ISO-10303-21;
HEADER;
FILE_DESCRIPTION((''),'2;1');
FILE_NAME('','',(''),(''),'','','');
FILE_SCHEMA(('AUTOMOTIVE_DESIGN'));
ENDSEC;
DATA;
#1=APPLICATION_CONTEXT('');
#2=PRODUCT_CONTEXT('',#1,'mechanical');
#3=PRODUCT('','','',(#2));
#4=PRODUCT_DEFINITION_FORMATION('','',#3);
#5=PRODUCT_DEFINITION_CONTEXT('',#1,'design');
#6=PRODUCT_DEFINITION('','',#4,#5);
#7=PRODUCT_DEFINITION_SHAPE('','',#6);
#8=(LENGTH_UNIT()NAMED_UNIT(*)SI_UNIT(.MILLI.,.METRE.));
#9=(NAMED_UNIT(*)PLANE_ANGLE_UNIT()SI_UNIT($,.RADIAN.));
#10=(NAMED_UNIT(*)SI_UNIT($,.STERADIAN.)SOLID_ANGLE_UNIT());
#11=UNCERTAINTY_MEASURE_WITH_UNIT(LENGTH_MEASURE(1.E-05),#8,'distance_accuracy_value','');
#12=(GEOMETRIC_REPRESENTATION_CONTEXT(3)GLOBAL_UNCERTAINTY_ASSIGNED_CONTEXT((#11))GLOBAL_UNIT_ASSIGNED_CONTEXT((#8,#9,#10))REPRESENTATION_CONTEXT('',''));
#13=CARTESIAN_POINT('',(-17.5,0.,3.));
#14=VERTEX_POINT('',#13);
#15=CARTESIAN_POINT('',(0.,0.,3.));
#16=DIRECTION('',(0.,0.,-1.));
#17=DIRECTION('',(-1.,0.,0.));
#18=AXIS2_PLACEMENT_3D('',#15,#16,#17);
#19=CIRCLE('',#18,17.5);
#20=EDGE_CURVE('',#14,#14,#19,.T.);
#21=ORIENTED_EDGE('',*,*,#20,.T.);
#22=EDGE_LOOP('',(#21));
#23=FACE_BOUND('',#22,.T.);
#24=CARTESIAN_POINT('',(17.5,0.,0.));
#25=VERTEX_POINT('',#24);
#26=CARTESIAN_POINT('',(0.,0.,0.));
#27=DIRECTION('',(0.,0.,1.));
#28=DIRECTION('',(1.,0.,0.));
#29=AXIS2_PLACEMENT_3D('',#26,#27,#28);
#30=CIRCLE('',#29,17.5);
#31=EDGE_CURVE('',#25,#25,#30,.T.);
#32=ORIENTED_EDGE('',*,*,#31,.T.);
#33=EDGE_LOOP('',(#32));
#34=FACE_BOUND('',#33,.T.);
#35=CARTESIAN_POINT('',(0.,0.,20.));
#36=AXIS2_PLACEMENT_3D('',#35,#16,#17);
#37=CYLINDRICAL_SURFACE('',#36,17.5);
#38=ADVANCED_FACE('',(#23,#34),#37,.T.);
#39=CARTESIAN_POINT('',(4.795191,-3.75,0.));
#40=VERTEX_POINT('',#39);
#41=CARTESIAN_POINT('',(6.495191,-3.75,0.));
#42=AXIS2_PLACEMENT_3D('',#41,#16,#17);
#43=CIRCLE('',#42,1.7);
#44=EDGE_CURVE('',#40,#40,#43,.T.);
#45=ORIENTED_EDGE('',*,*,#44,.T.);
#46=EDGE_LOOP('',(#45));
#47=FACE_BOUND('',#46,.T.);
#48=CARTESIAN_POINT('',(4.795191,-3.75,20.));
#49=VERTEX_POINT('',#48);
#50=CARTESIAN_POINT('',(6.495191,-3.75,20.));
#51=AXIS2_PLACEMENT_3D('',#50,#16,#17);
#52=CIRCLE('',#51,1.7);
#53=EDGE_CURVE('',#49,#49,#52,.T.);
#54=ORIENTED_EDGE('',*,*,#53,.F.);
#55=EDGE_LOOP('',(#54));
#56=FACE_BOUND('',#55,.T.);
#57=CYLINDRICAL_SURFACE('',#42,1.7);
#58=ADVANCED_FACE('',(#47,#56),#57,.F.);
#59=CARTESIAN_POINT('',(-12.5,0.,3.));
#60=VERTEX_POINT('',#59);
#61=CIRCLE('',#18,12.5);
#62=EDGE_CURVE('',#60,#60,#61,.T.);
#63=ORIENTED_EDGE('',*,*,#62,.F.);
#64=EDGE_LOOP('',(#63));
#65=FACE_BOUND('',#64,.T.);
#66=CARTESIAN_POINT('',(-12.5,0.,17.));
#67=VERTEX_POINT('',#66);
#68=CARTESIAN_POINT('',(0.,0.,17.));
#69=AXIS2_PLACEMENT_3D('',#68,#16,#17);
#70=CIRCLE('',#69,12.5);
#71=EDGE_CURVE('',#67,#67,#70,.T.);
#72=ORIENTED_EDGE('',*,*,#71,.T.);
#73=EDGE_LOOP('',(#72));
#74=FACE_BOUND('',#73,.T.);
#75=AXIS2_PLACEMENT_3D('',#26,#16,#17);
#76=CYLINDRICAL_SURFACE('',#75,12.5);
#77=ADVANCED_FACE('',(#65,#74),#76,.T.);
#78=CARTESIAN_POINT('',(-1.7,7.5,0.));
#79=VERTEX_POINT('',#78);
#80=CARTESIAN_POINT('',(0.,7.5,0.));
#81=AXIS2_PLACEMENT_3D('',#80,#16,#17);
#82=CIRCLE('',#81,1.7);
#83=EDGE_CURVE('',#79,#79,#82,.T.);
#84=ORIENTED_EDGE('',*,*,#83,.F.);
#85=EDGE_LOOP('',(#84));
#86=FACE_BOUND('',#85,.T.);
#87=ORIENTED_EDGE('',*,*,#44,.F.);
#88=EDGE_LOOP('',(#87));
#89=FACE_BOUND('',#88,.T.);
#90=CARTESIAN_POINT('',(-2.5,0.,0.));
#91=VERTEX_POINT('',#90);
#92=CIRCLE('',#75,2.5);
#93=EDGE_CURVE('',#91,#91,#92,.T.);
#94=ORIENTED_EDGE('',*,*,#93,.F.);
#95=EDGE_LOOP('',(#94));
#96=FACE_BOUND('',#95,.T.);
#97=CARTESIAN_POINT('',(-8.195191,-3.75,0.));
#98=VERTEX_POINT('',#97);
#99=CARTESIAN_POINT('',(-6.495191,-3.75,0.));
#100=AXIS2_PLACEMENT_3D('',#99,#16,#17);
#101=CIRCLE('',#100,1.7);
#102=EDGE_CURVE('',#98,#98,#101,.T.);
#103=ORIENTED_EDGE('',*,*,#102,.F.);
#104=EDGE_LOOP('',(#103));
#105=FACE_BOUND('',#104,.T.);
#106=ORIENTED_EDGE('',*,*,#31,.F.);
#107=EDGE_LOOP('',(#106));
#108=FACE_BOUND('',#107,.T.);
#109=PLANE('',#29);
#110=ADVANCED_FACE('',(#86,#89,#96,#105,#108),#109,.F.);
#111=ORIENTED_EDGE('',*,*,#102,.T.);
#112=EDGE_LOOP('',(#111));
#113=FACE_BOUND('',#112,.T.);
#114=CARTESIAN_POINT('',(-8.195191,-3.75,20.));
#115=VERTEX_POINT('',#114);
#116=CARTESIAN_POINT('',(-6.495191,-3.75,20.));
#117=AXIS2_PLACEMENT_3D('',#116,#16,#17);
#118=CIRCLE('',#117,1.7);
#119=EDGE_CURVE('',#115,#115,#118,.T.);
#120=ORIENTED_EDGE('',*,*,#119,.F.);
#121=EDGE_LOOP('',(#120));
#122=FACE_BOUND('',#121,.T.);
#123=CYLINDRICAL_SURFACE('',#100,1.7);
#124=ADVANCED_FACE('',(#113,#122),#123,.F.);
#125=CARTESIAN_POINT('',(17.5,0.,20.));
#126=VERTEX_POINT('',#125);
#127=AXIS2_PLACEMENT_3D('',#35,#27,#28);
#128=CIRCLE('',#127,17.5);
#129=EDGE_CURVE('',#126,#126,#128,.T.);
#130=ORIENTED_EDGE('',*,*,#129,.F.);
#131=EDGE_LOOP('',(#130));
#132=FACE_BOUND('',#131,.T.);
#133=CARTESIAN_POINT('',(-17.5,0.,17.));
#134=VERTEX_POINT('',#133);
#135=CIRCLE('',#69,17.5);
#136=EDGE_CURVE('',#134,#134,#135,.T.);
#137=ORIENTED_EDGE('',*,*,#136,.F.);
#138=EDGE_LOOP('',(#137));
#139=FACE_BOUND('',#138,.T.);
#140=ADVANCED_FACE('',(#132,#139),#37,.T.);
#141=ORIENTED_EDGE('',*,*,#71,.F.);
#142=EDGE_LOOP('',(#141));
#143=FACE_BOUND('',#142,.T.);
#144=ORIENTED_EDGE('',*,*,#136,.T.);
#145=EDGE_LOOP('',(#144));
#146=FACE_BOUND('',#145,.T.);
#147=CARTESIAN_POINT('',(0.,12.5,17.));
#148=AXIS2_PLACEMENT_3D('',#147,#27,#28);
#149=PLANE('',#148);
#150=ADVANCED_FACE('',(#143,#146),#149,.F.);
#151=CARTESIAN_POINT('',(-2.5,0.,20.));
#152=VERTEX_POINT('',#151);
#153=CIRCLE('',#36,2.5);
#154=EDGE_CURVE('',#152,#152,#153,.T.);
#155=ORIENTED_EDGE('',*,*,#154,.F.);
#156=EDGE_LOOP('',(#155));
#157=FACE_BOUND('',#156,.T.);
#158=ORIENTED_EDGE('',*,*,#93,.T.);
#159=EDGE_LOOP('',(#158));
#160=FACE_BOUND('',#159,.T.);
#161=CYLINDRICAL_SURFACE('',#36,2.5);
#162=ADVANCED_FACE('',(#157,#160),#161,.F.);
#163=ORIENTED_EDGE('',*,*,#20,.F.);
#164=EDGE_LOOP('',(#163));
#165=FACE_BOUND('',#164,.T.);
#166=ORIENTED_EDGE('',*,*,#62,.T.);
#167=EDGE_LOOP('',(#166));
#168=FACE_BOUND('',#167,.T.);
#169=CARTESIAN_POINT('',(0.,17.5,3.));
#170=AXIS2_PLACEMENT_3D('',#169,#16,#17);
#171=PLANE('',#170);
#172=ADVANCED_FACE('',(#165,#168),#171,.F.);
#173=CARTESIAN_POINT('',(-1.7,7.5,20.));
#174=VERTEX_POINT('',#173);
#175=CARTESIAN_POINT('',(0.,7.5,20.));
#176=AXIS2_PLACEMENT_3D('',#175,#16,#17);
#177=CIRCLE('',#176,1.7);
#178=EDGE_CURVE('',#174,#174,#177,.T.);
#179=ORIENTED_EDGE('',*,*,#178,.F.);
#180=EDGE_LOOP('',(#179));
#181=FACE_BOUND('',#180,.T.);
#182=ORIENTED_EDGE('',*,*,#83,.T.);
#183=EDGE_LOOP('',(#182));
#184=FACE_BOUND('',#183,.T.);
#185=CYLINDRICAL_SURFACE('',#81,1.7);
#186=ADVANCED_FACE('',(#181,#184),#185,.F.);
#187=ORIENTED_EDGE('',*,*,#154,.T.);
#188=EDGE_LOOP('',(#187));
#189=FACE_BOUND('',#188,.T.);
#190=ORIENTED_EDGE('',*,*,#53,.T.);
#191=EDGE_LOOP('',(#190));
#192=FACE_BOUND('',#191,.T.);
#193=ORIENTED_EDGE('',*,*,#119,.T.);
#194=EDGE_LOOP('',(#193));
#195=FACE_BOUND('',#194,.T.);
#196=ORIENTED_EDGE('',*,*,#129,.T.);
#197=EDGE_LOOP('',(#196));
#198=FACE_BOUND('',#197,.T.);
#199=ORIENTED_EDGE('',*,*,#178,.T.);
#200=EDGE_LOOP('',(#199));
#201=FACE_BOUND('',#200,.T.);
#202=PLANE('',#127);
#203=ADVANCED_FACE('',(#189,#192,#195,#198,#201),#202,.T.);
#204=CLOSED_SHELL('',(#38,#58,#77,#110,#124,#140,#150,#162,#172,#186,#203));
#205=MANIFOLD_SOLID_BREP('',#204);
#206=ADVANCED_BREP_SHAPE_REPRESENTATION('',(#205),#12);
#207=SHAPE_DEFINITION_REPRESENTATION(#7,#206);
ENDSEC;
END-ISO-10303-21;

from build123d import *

# Parameters (mm, degrees)
ESQUISSE1_R             = 17.5
BOSS_EXTRU_1_DEPTH      = 20
ESQUISSE3_W             = 14
ESQUISSE3_H             = 5
ESQUISSE4_R             = 2.5
ENL_V_MAT_EXTRU_1_DEPTH = 20
D_GAGEMENT_M31_D        = 3.4


with BuildPart() as part:
    # Esquisse1 → Boss.-Extru.1 (new body)
    with BuildSketch(Plane.XY):
        Circle(ESQUISSE1_R)
    extrude(amount=BOSS_EXTRU_1_DEPTH)

    # Esquisse3 → Enlèvement de matière-Révolution2 (revolve, cut)
    with BuildSketch(Plane(origin=(0, 0, 0), x_dir=(0, 0, -1), z_dir=(1, 0, 0)), mode=Mode.PRIVATE) as enl_vement_de_mati_re_r_volution2_sk:
        with Locations((-10, 15)):
            Rectangle(ESQUISSE3_W, ESQUISSE3_H)
    revolve(enl_vement_de_mati_re_r_volution2_sk.sketch.rotate(Axis((0, 0, 0), (0, 0, 1)), 90), axis=Axis((0, 0, 0), (0, 0, 1)), mode=Mode.SUBTRACT)

    # Esquisse4 → Enlèv. mat.-Extru.1 (cut)
    with BuildSketch(Plane(origin=(0, 0, 0), x_dir=(-1, 0, 0), z_dir=(0, 0, -1))):
        Circle(ESQUISSE4_R)
    extrude(amount=-ENL_V_MAT_EXTRU_1_DEPTH, mode=Mode.SUBTRACT)

    # Dégagement M31 (through all)
    with Locations(Plane(origin=(0, 0, 0), x_dir=(-1, 0, 0), z_dir=(0, 0, -1))):
        with Locations((0, 7.5), (6.495190528, -3.75), (-6.495190528, -3.75), (0, 0)):
            Hole(D_GAGEMENT_M31_D / 2)


solid = part.part
